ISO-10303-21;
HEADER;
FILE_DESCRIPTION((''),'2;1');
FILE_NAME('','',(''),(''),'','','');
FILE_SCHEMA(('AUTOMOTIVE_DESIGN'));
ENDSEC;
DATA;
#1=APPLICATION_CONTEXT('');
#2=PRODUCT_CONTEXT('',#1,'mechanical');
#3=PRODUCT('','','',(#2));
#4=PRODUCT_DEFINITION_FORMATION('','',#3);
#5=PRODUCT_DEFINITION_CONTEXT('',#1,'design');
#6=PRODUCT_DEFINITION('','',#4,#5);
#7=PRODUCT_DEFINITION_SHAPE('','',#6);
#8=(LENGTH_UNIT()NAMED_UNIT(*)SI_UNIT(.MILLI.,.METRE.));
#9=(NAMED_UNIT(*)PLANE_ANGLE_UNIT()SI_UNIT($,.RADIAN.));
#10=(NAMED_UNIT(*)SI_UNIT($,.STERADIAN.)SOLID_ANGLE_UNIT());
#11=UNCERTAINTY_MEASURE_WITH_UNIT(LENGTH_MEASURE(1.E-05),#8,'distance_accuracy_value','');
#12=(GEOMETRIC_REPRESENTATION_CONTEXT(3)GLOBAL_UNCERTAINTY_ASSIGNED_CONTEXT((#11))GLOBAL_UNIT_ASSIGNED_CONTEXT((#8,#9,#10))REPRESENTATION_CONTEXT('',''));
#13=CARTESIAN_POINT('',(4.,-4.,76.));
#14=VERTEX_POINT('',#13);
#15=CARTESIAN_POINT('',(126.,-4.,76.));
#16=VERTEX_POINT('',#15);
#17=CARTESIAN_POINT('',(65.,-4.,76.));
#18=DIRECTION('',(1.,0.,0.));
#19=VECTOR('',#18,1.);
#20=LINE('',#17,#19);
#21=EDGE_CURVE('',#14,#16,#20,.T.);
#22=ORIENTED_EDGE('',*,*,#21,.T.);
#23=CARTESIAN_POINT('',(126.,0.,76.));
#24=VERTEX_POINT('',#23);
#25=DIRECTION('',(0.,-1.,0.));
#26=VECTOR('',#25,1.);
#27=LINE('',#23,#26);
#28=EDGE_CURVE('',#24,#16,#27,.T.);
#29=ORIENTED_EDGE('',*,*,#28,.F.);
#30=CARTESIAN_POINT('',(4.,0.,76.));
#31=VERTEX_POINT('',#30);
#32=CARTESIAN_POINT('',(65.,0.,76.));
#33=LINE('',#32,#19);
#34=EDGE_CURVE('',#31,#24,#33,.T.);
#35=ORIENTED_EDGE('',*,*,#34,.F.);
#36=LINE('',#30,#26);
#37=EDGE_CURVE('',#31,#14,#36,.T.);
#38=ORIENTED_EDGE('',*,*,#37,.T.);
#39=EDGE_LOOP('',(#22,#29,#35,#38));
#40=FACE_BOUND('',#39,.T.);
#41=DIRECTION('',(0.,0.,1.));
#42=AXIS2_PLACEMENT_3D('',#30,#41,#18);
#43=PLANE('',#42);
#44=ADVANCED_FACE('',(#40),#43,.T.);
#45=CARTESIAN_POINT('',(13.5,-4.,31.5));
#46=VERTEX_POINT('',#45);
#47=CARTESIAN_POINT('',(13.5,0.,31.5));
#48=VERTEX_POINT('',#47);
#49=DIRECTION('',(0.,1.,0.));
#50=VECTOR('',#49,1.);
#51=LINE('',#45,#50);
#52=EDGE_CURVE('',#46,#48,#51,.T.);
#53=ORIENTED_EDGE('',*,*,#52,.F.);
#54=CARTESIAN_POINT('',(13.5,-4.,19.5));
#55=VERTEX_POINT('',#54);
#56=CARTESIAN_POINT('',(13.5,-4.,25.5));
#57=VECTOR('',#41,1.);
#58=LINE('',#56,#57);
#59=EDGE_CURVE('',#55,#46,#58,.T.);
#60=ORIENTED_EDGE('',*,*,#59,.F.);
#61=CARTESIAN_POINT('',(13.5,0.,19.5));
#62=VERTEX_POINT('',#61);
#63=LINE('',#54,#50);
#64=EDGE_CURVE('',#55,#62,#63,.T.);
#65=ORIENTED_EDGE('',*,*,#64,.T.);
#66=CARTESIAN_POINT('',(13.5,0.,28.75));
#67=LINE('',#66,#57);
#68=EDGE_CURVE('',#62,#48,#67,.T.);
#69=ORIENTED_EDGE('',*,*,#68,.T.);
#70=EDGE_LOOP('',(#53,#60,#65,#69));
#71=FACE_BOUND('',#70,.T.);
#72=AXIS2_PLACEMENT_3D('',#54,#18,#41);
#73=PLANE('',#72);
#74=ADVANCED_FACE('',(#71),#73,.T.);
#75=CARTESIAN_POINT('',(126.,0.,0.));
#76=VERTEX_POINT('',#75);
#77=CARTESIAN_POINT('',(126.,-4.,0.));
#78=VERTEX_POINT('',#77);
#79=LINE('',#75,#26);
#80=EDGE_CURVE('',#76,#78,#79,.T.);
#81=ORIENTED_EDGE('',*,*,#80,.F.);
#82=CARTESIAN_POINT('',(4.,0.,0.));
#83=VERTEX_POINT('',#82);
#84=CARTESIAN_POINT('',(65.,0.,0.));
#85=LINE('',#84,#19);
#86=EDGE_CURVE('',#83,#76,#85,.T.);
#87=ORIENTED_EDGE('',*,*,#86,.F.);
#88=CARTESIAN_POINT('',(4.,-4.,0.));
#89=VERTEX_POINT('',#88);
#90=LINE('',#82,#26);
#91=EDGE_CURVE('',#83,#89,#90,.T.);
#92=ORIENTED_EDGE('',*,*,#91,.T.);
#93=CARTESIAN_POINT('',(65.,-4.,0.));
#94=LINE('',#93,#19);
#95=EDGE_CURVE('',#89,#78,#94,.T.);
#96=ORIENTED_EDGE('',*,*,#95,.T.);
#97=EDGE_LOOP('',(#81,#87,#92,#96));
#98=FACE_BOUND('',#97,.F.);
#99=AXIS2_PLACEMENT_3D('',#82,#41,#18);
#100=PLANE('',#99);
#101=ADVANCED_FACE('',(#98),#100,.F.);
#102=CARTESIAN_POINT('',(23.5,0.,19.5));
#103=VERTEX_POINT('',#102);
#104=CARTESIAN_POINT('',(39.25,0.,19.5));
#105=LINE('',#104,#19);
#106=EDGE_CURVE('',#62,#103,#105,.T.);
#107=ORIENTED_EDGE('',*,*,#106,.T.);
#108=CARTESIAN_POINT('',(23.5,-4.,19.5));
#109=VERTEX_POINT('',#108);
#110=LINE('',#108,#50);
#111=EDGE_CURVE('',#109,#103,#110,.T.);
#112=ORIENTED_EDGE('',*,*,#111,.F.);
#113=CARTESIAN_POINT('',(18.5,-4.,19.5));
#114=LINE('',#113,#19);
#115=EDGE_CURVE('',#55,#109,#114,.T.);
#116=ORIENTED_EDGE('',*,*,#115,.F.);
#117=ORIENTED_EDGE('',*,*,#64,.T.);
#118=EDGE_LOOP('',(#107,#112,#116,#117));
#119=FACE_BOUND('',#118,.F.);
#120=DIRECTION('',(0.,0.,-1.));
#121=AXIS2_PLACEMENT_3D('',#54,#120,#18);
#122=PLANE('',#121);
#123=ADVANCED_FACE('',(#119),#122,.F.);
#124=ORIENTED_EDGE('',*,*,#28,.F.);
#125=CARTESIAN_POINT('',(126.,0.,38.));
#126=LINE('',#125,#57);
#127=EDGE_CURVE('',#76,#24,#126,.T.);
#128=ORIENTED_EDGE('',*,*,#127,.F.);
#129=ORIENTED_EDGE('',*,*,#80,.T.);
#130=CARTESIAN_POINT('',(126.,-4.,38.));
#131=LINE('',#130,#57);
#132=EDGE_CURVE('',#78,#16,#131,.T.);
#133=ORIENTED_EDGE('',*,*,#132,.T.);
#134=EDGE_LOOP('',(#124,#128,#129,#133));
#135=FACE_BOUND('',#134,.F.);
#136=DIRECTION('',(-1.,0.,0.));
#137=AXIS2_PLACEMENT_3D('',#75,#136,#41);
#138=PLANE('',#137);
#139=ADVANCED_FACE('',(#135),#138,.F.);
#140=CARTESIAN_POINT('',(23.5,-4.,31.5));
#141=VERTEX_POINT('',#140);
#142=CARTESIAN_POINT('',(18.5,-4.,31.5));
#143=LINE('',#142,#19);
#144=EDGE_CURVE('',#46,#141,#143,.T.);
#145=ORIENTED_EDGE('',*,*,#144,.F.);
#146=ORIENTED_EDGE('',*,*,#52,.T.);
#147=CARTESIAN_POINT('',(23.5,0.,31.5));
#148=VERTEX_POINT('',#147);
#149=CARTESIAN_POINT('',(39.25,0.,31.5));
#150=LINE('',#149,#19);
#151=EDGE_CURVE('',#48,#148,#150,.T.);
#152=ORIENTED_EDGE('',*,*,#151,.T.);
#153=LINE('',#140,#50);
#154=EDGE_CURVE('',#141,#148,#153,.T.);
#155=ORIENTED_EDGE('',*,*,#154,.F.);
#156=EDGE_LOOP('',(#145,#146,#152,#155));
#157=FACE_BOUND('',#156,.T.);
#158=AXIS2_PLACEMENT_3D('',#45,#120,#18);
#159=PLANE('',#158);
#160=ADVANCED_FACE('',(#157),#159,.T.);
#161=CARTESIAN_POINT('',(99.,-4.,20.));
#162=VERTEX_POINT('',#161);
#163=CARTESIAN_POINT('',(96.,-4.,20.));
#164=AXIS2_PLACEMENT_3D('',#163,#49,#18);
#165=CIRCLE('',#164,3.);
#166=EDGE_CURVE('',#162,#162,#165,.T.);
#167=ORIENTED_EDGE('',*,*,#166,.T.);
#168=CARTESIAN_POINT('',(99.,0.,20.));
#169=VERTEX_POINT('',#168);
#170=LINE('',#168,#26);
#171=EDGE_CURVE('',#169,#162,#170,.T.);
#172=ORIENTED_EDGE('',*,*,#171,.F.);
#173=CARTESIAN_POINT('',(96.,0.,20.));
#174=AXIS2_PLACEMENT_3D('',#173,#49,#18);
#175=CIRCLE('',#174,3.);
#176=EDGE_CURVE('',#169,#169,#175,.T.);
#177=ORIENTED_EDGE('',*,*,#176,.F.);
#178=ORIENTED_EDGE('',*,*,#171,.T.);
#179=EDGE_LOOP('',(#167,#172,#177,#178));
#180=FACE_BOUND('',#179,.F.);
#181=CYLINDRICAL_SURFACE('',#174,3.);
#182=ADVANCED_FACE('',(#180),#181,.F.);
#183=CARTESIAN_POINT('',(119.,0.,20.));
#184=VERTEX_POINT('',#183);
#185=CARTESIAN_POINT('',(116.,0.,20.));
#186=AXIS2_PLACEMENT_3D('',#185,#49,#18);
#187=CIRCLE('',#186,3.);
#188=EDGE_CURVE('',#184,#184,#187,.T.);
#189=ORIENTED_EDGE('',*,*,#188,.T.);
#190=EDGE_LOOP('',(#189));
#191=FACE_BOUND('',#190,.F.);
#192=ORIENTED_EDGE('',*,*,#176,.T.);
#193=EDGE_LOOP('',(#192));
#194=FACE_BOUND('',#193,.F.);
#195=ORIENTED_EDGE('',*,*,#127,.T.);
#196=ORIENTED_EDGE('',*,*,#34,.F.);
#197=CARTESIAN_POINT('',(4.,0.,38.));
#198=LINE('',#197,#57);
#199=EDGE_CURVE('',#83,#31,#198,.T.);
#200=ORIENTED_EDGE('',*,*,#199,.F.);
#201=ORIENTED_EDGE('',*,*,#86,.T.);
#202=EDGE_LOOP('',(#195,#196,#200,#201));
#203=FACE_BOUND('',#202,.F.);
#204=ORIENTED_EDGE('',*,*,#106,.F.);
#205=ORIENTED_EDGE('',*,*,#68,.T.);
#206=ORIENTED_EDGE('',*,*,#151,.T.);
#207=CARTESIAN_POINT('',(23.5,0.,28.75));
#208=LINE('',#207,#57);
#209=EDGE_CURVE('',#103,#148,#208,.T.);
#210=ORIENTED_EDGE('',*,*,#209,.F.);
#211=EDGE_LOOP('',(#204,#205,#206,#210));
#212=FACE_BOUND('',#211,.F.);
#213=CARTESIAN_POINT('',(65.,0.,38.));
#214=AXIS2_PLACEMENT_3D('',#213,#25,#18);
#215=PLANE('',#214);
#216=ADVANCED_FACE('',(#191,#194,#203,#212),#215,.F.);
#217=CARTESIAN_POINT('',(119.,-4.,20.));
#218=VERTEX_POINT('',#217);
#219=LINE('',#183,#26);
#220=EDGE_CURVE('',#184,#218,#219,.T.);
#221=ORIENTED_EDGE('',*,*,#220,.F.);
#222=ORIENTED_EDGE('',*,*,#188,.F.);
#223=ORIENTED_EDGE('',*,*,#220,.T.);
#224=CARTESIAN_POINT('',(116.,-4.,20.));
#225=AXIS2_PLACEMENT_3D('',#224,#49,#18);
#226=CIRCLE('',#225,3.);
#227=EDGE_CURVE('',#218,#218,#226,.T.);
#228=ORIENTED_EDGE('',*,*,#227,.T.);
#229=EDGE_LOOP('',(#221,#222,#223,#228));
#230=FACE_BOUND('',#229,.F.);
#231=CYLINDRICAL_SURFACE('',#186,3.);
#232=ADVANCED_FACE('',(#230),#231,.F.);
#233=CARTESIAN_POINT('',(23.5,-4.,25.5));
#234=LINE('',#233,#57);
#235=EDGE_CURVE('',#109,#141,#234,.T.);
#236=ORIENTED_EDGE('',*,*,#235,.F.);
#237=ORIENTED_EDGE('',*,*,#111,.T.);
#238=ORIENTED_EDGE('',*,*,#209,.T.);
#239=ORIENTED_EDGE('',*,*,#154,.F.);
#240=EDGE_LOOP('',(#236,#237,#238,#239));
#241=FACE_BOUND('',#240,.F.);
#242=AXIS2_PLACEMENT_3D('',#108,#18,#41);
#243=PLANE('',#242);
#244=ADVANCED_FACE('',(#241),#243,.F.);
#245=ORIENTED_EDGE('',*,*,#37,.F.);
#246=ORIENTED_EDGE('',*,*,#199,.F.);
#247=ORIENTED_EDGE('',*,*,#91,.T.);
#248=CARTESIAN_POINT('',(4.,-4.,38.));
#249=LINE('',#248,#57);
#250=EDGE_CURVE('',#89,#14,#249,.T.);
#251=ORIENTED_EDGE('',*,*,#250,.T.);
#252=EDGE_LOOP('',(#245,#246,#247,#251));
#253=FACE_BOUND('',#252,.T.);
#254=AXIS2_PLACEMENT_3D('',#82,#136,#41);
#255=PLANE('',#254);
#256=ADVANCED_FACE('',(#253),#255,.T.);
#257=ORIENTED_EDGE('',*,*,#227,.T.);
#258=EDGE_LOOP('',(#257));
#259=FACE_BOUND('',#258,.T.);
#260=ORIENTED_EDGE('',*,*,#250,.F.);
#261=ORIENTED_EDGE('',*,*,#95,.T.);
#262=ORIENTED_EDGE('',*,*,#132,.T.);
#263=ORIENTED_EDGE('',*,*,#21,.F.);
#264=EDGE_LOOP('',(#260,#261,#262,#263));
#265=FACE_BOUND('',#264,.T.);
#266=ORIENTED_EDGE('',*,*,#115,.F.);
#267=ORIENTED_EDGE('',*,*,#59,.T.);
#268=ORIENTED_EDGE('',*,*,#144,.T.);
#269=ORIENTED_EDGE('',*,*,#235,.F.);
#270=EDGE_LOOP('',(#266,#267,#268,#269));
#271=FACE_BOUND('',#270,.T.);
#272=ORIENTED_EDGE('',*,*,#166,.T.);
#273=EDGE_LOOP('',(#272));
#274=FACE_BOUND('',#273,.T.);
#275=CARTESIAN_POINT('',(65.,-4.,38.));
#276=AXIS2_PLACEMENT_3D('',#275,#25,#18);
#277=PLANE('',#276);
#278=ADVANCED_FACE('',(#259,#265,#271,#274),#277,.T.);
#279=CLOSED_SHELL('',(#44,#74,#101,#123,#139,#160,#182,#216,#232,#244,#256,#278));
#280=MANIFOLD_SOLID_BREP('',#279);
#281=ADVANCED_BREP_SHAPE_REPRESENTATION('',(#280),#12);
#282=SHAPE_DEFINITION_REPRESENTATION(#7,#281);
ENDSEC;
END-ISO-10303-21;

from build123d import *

# Parameters (mm, degrees)
SKETCH002_W   = 122
SKETCH002_H   = 76
PAD001_DEPTH  = 4
SKETCH003_W   = 10
SKETCH003_H   = 12
POCKET_DEPTH  = 4.001
SKETCH008_R   = 3
HOLE002_DEPTH = 4.001


with BuildPart() as part:
    # Sketch002 → Pad001 (new body)
    with BuildSketch(Plane.XZ):
        with Locations((65, 38)):
            Rectangle(SKETCH002_W, SKETCH002_H)
    extrude(amount=PAD001_DEPTH)

    # Sketch003 (on Face6 of Pad001) → Pocket (cut, through all)
    with BuildSketch(Plane.XZ.offset(4)):
        with Locations((18.5, 25.5)):
            Rectangle(SKETCH003_W, SKETCH003_H)
    extrude(amount=-POCKET_DEPTH, mode=Mode.SUBTRACT)

    # Sketch008 (on Face4 of Pocket) → Hole002 (cut, through all)
    with BuildSketch(Plane(origin=(0, 0, 0), x_dir=(1, 0, 0), z_dir=(0, 1, 0))):
        with Locations((116, -20)):
            Circle(SKETCH008_R)
        with Locations((96, -20)):
            Circle(SKETCH008_R)
    extrude(amount=-HOLE002_DEPTH, mode=Mode.SUBTRACT)


solid = part.part
